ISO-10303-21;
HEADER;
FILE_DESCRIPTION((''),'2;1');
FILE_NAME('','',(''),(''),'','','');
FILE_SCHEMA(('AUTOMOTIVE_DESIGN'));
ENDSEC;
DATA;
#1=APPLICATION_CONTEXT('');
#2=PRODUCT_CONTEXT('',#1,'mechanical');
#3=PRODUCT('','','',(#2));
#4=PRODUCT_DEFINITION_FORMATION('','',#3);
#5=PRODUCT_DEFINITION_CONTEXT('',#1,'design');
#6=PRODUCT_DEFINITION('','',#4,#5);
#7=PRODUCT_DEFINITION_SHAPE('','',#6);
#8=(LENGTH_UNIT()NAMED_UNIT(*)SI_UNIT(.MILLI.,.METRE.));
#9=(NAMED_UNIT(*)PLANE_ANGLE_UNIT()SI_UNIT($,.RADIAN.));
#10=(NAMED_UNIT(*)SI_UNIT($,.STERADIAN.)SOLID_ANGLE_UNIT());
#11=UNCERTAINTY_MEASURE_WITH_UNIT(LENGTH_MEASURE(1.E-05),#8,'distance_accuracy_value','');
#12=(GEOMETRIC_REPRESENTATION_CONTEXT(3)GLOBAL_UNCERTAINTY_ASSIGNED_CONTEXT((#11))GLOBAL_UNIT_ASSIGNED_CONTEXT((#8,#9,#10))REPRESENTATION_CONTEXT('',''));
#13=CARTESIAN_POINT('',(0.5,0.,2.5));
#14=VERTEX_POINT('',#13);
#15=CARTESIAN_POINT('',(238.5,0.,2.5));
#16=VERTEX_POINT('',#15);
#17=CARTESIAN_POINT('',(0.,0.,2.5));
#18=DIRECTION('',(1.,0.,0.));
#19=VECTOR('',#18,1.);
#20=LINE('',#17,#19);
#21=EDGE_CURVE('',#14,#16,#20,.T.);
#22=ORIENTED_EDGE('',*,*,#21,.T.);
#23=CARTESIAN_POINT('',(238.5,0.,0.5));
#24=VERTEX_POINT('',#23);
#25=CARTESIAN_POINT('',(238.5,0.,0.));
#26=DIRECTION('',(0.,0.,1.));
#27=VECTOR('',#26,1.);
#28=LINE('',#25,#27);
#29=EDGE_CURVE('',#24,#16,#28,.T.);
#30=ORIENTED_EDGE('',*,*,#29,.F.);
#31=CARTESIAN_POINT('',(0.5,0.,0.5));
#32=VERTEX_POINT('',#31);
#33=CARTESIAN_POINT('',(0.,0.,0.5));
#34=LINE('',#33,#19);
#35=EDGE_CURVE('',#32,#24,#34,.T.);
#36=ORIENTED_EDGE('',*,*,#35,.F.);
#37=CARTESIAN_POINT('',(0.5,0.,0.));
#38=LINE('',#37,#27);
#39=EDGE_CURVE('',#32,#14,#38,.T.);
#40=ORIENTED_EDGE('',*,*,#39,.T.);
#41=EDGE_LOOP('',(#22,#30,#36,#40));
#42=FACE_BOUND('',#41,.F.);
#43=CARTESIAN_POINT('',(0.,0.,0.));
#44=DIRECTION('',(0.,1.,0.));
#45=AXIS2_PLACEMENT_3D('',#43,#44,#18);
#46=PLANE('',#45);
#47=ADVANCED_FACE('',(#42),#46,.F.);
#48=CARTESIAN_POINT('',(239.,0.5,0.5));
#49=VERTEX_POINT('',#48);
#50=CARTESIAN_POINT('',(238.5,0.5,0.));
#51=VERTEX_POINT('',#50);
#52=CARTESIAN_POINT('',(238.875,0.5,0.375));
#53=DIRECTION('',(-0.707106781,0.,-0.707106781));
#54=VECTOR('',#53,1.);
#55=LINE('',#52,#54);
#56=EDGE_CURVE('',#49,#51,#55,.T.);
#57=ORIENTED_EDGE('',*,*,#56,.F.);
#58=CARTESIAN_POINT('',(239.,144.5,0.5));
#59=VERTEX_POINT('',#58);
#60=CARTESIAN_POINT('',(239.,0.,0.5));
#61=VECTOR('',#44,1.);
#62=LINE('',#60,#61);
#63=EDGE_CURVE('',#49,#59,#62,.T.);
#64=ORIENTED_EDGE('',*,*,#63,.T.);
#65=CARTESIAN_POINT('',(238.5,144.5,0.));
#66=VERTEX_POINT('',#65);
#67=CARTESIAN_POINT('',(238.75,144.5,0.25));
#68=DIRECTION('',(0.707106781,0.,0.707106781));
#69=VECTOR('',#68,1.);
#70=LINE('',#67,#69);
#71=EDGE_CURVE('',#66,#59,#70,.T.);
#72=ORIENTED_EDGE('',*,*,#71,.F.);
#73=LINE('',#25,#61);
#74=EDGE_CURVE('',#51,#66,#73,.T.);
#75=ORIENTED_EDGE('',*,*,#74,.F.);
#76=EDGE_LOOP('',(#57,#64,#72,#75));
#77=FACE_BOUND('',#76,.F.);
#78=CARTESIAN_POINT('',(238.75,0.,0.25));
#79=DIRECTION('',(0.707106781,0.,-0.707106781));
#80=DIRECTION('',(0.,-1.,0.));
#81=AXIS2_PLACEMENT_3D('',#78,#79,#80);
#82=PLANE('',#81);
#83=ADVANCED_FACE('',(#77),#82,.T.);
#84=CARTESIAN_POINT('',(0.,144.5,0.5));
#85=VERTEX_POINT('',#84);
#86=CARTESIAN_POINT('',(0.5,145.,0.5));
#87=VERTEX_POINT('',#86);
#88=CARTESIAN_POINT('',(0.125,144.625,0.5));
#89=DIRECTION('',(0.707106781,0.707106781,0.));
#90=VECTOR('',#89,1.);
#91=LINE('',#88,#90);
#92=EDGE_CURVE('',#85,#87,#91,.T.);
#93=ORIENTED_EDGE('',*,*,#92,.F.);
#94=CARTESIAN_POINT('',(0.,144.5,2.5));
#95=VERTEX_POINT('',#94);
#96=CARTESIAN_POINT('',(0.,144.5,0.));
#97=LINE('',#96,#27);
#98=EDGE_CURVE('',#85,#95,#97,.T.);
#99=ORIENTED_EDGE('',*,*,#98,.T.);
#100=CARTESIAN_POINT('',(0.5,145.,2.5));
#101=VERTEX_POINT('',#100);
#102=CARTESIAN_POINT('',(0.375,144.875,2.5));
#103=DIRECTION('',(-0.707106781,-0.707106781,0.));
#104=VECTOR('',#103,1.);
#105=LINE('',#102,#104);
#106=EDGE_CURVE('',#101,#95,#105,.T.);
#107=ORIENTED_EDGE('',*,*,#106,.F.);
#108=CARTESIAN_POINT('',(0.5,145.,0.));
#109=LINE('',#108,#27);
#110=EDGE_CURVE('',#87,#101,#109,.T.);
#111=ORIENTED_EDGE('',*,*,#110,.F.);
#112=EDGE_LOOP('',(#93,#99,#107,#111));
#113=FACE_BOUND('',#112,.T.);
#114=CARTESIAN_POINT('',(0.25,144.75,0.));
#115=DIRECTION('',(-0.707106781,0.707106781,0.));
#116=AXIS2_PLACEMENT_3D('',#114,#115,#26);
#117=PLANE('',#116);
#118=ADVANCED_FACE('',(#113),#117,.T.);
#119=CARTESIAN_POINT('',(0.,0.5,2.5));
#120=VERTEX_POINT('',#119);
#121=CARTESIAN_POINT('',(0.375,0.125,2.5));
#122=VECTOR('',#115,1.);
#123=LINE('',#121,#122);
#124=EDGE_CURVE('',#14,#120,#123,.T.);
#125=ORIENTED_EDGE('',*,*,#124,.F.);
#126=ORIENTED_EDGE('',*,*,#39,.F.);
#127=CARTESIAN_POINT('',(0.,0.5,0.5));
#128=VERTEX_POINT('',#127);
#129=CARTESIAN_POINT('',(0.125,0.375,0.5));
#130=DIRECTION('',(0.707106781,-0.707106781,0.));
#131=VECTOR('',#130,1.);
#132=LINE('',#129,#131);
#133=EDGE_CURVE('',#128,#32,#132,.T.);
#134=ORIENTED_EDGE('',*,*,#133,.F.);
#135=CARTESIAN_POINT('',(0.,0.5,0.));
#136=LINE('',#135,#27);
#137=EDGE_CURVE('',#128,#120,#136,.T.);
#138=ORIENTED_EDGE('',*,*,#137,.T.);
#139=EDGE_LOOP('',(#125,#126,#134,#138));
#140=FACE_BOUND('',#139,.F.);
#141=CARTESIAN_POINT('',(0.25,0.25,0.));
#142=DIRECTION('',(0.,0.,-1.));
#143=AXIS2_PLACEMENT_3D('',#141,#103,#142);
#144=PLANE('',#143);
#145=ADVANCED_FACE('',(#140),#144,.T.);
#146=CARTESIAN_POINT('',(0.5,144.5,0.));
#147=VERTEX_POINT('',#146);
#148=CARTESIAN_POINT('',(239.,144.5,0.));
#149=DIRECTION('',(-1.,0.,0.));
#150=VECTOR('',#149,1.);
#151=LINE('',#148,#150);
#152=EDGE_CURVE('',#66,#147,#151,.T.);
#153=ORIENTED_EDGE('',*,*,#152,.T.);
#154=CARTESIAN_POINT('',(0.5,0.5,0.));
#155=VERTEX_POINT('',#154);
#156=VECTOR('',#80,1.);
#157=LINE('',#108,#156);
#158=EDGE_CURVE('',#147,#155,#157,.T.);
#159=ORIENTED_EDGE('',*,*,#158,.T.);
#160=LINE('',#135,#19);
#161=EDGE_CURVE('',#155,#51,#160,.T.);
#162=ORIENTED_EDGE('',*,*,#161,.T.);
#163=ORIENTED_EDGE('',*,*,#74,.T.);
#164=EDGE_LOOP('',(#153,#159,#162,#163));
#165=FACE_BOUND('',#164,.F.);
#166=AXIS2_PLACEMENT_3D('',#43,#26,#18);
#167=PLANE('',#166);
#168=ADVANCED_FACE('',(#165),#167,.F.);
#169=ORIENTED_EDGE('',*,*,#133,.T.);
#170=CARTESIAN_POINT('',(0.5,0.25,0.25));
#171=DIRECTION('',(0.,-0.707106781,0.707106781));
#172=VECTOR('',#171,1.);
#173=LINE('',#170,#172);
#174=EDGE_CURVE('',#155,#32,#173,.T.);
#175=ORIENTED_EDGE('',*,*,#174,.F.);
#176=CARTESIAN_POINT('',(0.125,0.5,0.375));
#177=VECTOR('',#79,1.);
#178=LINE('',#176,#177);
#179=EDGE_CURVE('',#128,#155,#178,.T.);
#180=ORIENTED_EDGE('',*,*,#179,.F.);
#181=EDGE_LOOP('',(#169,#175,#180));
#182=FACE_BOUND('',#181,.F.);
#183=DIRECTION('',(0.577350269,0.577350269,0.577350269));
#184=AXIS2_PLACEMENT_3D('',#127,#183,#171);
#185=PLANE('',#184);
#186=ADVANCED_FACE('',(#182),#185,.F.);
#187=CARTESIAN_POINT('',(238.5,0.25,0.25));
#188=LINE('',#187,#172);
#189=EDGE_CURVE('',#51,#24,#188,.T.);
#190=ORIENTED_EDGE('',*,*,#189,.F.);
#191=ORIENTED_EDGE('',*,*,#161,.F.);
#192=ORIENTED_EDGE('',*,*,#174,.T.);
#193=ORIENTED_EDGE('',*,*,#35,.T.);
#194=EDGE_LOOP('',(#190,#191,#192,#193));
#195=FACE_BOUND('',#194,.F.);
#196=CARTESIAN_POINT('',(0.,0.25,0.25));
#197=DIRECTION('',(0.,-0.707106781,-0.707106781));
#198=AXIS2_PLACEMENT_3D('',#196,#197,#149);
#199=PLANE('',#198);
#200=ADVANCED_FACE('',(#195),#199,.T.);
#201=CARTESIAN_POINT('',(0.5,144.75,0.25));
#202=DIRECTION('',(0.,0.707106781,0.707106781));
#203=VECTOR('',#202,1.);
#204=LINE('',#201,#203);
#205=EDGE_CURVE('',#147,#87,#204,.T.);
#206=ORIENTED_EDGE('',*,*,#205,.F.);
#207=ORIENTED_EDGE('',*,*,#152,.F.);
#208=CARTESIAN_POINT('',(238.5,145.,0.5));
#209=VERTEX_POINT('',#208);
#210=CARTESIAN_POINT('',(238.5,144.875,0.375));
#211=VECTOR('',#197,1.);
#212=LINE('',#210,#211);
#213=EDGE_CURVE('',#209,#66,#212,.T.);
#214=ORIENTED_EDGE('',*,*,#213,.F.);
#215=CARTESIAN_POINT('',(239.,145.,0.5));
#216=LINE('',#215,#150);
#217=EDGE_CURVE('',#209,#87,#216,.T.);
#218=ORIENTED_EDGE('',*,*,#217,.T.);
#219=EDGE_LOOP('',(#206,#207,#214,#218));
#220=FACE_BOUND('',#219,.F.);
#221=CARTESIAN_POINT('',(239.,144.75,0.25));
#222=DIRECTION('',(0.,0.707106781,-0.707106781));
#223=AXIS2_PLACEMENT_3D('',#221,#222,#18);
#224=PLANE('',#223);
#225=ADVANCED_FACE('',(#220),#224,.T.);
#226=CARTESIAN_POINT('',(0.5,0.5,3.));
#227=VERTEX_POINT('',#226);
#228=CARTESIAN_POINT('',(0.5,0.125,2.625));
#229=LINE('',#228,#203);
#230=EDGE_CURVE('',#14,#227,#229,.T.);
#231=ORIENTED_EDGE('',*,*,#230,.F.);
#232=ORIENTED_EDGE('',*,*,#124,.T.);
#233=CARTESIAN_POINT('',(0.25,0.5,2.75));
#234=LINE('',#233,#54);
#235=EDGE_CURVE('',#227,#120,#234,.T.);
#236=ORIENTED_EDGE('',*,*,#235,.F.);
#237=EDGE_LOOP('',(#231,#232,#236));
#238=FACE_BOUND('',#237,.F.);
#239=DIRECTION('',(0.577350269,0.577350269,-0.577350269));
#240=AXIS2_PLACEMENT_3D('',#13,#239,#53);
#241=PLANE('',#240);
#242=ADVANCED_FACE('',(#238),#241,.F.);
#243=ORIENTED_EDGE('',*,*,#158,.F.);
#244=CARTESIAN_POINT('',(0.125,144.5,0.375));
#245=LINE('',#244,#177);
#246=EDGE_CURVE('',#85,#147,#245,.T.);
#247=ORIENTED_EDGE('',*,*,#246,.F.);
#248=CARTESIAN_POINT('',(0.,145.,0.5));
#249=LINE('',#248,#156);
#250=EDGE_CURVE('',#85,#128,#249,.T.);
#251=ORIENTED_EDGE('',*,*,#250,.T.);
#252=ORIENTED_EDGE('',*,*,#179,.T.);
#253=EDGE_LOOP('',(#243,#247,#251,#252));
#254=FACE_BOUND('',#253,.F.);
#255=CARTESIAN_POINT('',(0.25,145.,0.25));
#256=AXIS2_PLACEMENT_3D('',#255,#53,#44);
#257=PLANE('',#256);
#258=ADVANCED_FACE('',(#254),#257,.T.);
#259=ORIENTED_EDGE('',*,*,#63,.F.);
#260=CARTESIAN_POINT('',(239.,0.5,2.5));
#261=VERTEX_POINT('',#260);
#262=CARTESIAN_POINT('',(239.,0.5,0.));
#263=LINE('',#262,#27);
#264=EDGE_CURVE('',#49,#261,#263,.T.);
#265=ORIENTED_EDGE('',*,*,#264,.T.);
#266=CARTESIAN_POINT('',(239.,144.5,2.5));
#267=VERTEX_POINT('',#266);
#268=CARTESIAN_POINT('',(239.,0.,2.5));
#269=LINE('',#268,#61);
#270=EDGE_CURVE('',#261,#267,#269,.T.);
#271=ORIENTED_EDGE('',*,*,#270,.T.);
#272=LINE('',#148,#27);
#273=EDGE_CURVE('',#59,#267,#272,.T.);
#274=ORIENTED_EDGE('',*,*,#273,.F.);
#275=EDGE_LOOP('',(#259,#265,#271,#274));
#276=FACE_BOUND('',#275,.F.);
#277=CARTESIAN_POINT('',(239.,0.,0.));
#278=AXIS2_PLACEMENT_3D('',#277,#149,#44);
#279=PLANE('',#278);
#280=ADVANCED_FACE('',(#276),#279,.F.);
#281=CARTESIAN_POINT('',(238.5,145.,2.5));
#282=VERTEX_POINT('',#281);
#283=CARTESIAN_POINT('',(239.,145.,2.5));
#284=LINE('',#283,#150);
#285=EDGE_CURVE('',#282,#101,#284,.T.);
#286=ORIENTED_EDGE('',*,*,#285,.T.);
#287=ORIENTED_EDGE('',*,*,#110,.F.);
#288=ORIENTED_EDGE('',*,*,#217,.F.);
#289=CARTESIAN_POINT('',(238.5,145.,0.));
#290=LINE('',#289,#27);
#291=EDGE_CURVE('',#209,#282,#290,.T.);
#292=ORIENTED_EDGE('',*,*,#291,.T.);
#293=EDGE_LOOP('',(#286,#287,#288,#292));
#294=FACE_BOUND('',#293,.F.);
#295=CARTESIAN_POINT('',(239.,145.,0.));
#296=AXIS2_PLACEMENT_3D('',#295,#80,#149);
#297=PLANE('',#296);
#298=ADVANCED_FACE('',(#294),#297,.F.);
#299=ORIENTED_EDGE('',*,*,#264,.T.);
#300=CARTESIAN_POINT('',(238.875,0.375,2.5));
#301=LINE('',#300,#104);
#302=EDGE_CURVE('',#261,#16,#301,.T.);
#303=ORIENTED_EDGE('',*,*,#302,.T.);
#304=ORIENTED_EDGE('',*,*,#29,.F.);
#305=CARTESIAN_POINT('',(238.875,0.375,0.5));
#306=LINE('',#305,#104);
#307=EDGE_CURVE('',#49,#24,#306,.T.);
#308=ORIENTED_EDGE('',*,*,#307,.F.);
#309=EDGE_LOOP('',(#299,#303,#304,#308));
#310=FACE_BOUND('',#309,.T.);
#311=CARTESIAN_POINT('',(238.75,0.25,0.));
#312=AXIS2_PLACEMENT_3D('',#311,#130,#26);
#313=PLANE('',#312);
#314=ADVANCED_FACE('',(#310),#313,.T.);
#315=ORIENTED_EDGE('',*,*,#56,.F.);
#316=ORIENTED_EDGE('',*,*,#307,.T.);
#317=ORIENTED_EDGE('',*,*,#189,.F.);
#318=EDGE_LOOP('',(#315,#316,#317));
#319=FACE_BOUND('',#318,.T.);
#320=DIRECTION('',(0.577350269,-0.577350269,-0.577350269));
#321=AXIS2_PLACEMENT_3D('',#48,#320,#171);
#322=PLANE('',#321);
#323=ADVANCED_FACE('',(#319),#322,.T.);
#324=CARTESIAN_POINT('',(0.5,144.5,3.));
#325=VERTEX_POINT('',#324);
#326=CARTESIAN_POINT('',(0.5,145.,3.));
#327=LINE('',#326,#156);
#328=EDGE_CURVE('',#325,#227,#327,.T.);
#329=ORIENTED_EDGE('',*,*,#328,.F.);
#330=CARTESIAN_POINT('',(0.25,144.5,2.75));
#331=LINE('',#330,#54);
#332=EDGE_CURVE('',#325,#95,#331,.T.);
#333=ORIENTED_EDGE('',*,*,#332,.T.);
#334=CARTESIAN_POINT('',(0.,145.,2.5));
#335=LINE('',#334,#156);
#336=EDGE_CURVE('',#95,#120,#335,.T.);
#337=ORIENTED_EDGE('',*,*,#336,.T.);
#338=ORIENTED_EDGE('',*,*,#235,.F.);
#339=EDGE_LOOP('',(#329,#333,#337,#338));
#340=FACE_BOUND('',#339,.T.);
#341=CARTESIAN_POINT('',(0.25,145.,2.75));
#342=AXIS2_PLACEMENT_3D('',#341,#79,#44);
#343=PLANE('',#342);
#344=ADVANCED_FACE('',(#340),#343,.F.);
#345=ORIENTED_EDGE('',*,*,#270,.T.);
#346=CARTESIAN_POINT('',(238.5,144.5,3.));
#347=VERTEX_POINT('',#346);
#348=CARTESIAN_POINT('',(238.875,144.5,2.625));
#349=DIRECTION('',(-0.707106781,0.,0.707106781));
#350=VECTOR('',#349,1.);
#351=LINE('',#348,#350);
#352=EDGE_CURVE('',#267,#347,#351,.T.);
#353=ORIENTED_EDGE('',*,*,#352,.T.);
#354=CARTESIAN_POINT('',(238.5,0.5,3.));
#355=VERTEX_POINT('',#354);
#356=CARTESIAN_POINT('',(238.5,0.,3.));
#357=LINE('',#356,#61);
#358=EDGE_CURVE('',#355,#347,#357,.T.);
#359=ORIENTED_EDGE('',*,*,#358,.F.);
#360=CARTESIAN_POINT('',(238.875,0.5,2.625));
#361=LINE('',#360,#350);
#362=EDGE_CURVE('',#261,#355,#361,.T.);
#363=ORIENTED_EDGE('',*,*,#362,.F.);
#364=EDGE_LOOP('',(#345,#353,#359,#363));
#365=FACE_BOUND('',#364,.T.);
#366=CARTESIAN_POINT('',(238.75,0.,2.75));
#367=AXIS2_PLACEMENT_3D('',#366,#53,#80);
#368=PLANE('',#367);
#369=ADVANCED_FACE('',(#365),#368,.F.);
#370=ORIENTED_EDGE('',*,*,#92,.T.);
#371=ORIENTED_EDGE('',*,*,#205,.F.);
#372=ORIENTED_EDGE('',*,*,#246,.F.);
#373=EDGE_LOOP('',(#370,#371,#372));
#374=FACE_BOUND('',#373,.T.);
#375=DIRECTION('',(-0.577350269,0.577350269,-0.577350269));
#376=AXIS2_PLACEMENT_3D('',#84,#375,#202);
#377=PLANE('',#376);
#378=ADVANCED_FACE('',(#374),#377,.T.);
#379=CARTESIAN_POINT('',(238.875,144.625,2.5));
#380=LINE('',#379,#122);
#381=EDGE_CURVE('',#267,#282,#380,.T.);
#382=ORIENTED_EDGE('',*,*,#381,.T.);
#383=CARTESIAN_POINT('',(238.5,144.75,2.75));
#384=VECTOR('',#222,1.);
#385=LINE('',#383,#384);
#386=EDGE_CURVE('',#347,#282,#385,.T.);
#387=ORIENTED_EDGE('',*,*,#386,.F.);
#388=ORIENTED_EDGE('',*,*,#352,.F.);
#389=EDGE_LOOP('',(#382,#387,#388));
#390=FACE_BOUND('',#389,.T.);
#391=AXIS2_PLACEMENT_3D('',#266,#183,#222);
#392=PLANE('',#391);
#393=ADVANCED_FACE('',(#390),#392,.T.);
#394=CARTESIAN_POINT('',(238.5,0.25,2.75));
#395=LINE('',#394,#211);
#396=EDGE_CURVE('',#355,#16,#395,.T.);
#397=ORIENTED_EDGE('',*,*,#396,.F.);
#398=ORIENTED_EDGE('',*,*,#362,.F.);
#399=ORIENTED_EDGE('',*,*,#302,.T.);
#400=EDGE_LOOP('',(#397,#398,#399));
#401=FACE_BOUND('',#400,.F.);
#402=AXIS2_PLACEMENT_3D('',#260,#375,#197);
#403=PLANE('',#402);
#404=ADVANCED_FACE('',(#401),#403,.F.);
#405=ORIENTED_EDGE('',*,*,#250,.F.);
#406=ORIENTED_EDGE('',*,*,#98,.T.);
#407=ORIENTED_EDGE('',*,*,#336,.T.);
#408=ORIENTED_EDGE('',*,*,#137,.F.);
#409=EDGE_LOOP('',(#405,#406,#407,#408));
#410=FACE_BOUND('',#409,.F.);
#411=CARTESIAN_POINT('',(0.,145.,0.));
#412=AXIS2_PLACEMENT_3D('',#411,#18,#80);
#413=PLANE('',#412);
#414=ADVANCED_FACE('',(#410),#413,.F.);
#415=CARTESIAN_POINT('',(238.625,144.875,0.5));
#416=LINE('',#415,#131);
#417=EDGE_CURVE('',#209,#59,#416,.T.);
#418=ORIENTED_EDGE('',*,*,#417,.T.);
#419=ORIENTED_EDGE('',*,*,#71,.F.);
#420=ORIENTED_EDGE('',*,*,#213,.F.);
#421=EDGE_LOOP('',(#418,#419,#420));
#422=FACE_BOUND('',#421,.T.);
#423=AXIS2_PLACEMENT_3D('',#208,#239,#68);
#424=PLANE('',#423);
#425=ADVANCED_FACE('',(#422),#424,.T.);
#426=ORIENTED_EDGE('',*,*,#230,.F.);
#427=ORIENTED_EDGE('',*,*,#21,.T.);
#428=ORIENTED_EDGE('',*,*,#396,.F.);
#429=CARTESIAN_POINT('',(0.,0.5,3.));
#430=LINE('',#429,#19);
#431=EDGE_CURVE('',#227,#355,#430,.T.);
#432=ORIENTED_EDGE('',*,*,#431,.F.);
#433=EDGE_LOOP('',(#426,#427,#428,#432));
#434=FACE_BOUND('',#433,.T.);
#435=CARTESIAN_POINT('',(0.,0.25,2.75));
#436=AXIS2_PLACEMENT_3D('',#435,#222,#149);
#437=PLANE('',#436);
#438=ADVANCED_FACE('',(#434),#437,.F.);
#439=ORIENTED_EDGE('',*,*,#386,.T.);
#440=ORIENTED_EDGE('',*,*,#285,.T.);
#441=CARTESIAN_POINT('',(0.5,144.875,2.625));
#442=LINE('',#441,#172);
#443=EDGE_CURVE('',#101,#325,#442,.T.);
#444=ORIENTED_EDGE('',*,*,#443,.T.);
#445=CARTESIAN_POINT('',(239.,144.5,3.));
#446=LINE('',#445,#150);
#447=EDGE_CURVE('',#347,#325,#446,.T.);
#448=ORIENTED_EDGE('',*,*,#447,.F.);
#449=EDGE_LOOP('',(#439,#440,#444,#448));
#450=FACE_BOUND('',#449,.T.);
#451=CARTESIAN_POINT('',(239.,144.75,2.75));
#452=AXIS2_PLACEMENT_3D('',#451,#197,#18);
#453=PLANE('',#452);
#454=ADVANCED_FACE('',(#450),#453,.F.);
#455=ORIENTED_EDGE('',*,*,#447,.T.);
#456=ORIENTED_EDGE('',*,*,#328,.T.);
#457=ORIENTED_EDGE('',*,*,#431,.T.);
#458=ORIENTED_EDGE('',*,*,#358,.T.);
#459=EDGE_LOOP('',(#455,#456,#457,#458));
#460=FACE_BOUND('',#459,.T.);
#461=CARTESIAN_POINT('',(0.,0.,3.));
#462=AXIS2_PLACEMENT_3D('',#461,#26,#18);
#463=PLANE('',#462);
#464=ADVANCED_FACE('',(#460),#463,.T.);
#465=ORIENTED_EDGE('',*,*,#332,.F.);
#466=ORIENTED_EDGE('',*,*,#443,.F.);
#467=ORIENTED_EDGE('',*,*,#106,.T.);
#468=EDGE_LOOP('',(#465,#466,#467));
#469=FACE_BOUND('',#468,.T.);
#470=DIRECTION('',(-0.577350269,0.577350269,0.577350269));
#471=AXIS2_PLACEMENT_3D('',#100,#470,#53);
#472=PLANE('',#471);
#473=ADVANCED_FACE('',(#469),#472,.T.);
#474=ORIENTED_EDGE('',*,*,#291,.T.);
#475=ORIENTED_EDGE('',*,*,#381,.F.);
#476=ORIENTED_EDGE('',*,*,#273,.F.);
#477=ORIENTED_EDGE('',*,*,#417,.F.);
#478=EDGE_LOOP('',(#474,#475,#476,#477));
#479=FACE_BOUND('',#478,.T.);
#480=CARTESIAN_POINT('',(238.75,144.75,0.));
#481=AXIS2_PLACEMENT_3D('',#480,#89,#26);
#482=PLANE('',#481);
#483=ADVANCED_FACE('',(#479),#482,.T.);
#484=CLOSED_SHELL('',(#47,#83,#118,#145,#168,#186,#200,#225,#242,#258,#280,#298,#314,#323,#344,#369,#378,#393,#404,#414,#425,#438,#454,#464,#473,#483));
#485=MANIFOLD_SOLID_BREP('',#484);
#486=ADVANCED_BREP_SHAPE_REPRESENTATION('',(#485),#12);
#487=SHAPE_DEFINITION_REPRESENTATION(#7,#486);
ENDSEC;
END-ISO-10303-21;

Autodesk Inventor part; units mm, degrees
ref_plane "YZ Plane" through (0, 0, 0) normal (1, 0, 0) x (0, 1, 0)
ref_plane "XZ Plane" through (0, 0, 0) normal (0, 1, 0) x (-1, 0, 0)
ref_plane "XY Plane" through (0, 0, 0) normal (0, 0, 1) x (1, 0, 0)
sketch "Sketch1" plane through (0, 0, 0) normal (0, 0, 1) x (1, 0, 0)
  line L0 (0, 0) -> (239, 0)
  line L1 (239, 0) -> (239, 145)
  line L2 (239, 145) -> (0, 145)
  line L3 (0, 145) -> (0, 0)
  dimension "d0" = 239
  dimension "d1" = 145
extrude "Extrusion1" add sketch "Sketch1" along normal blind 3
chamfer "Chamfer1" distance 0.5 angle 45 12 edges at (0, 72.5, 3) (119.5, 145, 3) (119.5, 0, 3) (239, 72.5, 3) (119.5, 0, 0) (239, 72.5, 0) (119.5, 145, 0) (0, 72.5, 0) (0, 0, 1.5) (0, 145, 1.5) (239, 0, 1.5) (239, 145, 1.5)
properties part number "protect_plexi" material "Glass"
